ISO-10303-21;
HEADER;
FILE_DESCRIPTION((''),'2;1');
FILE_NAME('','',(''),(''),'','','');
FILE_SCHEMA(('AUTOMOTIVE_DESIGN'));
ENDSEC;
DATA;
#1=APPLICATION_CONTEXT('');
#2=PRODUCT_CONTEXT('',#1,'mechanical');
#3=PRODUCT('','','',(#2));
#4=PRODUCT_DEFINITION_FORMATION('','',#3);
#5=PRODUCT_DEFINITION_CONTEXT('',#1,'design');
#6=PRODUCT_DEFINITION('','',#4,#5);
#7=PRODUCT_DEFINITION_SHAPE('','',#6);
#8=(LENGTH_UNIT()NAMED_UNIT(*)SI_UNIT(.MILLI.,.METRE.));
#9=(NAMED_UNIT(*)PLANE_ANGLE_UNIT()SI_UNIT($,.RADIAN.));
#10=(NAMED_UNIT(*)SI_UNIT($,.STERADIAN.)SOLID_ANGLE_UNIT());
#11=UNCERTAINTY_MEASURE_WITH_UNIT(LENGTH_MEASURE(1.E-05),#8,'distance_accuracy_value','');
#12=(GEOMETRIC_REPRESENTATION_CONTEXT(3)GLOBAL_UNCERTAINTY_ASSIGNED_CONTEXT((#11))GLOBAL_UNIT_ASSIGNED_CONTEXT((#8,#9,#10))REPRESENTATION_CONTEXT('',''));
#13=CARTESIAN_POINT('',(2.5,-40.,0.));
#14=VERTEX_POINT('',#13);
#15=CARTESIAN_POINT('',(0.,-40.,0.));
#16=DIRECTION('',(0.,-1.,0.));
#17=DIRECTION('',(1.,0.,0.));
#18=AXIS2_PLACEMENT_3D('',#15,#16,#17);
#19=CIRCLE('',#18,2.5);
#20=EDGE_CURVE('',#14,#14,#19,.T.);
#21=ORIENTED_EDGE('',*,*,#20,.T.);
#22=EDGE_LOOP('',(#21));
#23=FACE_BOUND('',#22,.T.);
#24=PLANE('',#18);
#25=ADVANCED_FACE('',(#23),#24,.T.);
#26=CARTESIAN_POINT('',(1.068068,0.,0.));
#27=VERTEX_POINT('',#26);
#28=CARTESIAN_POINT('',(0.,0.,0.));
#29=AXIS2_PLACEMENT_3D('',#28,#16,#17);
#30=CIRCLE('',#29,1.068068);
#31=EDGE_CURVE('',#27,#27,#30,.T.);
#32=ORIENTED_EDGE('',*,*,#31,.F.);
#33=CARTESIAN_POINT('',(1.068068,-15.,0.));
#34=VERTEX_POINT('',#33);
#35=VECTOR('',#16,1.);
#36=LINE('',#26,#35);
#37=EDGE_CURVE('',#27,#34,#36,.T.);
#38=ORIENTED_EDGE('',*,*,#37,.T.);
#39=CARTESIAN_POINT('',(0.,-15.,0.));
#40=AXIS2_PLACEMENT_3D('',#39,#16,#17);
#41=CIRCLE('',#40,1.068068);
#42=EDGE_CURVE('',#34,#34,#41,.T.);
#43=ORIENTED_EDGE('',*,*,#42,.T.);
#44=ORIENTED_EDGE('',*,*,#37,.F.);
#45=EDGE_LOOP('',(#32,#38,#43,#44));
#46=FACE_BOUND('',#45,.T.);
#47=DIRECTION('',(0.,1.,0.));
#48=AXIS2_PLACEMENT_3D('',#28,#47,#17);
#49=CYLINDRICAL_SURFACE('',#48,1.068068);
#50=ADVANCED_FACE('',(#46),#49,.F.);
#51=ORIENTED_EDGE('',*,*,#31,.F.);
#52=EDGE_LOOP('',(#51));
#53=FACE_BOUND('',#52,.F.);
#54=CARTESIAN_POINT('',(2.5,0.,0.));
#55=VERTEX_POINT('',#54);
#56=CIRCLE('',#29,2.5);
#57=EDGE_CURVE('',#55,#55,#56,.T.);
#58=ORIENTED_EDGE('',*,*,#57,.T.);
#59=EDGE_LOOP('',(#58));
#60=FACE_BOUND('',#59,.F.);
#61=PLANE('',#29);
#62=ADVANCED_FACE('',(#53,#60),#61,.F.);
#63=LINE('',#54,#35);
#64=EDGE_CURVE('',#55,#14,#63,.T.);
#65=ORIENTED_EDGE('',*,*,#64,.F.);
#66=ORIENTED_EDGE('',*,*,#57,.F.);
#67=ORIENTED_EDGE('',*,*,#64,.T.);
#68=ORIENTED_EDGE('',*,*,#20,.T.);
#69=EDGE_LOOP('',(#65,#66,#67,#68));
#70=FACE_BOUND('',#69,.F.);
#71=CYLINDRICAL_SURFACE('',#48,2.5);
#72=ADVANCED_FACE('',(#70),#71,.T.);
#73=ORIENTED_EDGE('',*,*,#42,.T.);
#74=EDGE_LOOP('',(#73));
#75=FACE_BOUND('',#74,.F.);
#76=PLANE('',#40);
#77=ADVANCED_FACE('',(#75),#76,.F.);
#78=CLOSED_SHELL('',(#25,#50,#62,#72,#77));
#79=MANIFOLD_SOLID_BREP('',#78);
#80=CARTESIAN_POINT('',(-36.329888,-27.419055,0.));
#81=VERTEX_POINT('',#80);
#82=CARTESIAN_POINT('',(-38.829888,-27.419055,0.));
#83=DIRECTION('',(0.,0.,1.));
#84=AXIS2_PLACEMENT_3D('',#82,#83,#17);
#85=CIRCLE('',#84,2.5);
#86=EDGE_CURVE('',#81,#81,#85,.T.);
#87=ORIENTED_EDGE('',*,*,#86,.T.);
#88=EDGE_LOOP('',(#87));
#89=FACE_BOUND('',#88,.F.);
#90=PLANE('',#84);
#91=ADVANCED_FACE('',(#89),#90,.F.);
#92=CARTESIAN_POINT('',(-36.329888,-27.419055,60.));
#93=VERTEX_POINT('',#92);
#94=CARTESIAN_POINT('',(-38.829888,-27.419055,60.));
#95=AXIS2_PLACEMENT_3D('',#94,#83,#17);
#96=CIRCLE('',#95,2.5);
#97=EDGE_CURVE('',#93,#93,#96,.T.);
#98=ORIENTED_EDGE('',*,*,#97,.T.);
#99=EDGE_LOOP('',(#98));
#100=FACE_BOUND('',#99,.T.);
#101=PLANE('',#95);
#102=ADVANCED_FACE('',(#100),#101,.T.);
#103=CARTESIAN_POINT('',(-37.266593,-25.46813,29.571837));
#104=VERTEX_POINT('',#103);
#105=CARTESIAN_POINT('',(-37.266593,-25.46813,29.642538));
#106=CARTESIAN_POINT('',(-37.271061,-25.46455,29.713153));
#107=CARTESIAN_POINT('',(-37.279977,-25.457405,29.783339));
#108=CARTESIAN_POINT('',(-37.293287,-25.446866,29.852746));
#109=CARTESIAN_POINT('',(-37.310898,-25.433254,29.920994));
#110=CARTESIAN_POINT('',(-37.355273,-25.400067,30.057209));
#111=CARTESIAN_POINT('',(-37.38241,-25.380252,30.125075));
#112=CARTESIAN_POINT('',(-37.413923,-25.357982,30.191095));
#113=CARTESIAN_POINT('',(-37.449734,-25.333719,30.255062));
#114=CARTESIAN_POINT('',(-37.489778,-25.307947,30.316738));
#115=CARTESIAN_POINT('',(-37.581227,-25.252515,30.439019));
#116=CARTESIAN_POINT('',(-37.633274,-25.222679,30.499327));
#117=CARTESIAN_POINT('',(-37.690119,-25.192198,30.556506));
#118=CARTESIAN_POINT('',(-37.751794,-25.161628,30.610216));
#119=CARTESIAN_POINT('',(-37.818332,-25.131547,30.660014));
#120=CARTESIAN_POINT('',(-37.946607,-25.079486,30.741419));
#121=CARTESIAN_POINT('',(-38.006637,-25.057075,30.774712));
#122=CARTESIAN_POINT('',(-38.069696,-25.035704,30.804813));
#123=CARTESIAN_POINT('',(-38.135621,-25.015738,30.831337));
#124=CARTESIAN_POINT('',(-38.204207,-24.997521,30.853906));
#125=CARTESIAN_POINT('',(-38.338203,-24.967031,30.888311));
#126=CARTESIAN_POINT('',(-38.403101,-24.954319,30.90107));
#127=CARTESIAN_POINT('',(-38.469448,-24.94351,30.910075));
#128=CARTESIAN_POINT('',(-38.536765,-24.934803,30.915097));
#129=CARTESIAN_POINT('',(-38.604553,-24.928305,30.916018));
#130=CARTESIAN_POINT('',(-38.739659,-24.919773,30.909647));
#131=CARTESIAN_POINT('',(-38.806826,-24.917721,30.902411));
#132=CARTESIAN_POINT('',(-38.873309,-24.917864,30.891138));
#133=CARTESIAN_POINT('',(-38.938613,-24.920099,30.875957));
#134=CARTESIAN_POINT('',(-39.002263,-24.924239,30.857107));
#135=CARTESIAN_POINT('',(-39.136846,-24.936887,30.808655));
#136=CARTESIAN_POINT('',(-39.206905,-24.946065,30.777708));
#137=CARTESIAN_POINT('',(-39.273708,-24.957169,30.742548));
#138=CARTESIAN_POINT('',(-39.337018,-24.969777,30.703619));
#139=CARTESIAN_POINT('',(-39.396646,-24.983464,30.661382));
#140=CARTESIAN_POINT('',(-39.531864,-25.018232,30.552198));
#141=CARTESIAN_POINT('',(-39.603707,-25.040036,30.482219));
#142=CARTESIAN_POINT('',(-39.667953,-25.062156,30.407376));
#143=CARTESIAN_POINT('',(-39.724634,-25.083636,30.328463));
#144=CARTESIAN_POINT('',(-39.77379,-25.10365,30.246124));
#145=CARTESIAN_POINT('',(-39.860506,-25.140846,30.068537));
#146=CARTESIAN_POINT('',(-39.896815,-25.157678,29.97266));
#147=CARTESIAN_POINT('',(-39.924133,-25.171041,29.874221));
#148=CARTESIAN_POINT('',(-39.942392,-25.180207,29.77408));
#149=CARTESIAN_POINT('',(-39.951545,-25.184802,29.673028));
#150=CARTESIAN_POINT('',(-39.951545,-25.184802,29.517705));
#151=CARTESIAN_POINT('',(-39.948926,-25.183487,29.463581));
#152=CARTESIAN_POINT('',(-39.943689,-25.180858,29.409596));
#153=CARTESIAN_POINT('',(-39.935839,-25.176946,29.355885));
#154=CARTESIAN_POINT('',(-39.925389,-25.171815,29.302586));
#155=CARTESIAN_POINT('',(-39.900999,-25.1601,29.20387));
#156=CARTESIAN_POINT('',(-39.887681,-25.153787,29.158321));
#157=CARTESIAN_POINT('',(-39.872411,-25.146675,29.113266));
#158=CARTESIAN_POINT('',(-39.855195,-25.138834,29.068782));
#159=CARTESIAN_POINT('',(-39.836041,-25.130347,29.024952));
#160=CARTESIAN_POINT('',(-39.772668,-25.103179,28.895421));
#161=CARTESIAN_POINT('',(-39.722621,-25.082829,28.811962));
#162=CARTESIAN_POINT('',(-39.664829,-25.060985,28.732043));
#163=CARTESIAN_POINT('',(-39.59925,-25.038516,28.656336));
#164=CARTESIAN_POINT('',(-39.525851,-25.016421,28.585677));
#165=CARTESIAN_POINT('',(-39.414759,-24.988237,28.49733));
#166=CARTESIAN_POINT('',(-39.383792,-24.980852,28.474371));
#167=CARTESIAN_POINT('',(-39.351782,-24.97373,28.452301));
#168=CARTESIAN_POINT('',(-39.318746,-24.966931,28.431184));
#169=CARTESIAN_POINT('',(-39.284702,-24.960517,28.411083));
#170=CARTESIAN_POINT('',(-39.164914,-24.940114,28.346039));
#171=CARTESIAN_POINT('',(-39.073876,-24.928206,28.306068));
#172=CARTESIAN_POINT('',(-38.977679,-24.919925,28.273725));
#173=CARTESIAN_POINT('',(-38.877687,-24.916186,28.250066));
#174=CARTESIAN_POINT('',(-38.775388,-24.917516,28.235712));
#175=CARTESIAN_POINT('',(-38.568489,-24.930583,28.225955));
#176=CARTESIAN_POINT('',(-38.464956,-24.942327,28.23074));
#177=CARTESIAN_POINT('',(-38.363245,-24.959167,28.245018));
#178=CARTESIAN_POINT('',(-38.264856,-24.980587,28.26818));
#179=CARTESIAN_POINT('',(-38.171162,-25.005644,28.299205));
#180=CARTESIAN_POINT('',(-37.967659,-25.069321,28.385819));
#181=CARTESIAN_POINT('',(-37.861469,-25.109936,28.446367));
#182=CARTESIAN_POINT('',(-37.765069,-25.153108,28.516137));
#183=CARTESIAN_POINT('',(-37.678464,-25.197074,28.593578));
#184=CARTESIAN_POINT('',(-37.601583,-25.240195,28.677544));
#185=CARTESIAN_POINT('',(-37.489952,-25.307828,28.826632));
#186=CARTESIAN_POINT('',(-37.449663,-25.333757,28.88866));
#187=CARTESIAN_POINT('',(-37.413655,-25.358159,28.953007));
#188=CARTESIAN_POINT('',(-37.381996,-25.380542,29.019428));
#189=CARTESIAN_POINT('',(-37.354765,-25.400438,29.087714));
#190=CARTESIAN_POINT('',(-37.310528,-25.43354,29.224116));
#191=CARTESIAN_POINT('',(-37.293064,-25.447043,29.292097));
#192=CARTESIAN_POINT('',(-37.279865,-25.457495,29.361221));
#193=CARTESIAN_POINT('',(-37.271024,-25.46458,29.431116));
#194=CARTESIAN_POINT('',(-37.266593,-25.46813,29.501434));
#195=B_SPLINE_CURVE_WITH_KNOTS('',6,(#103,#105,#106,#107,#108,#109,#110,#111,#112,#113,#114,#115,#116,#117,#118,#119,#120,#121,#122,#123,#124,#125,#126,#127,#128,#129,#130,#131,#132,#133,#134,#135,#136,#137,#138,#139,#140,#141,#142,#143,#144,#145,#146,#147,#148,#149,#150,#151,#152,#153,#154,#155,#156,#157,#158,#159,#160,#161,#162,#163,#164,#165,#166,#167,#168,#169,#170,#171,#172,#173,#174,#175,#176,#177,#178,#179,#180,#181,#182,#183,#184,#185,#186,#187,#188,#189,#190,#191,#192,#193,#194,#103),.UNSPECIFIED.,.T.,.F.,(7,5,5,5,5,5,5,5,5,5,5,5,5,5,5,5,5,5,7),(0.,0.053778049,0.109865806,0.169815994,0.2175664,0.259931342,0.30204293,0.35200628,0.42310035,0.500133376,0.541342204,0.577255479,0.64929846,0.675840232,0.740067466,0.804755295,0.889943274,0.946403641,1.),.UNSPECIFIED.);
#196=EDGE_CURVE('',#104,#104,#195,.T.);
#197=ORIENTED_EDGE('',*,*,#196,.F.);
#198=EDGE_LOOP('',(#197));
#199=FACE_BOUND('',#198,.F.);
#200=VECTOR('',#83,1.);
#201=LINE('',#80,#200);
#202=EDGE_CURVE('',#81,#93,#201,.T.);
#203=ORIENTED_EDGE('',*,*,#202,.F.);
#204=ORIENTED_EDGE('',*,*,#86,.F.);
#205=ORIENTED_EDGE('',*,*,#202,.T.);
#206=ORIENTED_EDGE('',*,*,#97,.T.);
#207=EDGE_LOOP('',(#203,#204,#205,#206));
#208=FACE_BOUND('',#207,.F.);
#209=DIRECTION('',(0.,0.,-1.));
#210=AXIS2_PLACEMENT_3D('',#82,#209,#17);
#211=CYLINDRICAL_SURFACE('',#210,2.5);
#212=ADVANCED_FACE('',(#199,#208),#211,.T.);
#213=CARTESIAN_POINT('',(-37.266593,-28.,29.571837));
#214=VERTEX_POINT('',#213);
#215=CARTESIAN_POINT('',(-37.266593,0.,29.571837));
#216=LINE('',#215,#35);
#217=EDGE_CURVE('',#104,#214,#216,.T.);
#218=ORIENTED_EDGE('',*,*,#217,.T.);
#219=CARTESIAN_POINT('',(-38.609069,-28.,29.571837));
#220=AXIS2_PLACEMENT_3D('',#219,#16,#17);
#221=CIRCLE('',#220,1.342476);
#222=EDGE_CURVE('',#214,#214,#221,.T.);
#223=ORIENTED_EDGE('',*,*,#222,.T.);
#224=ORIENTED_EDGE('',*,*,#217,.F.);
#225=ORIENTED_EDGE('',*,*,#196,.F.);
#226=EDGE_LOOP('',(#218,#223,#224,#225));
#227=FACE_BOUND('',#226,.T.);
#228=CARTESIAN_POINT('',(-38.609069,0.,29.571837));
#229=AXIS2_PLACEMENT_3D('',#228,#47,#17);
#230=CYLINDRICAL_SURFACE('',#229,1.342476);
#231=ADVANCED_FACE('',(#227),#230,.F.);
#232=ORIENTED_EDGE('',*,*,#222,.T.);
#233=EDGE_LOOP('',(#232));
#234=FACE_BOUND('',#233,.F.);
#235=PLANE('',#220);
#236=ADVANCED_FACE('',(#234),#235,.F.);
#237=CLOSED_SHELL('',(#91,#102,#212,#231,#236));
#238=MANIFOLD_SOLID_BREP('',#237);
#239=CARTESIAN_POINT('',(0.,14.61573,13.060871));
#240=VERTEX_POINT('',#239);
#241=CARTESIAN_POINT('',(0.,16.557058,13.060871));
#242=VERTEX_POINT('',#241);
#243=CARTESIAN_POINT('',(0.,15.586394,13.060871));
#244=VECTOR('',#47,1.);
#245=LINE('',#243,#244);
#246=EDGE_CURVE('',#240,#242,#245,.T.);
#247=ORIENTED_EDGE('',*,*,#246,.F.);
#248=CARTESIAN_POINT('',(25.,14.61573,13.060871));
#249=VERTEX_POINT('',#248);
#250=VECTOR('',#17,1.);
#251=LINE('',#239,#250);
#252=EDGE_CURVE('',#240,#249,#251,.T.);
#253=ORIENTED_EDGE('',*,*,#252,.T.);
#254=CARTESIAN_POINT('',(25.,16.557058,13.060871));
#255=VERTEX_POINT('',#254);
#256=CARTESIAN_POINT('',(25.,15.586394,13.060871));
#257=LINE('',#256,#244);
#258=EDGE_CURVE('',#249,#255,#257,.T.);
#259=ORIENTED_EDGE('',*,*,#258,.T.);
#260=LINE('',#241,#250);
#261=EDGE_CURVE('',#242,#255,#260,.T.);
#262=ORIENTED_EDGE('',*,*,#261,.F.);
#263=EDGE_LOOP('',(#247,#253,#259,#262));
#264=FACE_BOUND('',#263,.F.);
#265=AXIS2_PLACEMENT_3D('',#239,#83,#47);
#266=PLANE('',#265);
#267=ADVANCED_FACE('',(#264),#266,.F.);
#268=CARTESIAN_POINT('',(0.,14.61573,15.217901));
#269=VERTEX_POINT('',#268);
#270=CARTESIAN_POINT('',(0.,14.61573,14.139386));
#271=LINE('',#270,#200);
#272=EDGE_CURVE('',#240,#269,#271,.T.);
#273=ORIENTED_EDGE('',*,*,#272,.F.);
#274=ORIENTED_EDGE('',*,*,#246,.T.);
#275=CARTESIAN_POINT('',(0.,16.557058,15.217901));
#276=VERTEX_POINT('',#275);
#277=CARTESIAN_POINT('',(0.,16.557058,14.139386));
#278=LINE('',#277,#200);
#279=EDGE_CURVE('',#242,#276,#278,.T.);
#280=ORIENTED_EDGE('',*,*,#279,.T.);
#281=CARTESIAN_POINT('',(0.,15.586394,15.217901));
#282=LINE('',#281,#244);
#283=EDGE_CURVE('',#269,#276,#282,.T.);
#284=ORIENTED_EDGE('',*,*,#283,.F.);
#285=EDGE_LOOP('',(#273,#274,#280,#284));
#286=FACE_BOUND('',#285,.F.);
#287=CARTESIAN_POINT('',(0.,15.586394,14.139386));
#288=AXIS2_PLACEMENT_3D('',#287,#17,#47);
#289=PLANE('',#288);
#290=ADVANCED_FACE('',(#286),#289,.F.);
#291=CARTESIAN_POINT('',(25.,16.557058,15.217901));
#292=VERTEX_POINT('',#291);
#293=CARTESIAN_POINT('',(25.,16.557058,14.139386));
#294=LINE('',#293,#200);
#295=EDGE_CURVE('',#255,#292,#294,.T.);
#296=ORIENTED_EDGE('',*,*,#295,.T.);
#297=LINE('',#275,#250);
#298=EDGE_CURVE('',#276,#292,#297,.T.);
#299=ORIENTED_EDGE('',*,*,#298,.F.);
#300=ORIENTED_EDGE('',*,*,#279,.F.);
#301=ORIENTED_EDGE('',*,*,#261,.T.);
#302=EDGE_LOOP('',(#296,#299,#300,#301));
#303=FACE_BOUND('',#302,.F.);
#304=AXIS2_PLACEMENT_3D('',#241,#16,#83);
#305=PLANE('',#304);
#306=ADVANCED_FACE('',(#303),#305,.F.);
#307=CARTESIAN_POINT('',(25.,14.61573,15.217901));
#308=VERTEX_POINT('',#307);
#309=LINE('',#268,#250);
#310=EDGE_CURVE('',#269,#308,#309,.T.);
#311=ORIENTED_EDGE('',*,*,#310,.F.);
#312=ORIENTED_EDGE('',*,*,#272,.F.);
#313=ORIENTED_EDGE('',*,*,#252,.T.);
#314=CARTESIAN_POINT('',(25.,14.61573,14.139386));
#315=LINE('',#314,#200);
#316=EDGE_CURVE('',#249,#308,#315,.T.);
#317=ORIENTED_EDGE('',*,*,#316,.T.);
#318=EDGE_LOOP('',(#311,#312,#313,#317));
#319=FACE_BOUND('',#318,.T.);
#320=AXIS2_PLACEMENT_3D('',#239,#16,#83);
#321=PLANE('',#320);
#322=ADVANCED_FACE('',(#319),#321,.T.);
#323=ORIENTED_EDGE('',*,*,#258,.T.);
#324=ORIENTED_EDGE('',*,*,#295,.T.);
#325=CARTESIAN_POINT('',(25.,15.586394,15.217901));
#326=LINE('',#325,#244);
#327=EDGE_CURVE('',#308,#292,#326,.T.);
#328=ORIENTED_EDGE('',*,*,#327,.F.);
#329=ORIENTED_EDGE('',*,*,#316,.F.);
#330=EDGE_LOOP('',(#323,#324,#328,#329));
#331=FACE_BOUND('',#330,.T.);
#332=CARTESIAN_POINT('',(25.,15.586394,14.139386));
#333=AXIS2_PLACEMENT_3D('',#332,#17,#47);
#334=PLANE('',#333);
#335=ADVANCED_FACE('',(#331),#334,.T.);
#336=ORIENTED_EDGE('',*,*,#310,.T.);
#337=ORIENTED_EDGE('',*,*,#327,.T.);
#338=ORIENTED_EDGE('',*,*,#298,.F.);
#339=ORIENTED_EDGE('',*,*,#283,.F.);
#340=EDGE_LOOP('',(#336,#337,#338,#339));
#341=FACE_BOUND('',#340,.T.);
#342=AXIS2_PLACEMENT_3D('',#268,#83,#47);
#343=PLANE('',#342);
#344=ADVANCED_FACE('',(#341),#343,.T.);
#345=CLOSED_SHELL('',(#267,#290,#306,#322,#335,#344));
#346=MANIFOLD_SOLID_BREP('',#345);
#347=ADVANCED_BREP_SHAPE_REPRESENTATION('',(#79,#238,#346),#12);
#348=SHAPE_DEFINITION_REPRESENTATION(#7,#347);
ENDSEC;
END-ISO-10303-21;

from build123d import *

# Parameters (mm, degrees)
F0_R     = 2.5
F1_DEPTH = 40
F2_R     = 2.5
F3_DEPTH = 60
F4_R     = 1.068068
F5_DEPTH = 15
F6_R     = 1.342476
F7_DEPTH = 28
F8_W     = 1.941328
F8_H     = 2.15703
F9_DEPTH = 25


with BuildPart() as f1:
    # F0 (on Front) → F1 (new body)
    with BuildSketch(Plane.XZ):
        Circle(F0_R)
    extrude(amount=F1_DEPTH)

    # F4 (on Front) → F5 (cut)
    with BuildSketch(Plane.XZ):
        Circle(F4_R)
    extrude(amount=F5_DEPTH, mode=Mode.SUBTRACT)


with BuildPart() as f3:
    # F2 (on Top) → F3 (new body)
    with BuildSketch(Plane.XY):
        with Locations((-38.829888, -27.419055)):
            Circle(F2_R)
    extrude(amount=F3_DEPTH)

    # F6 (on Front) → F7 (cut)
    with BuildSketch(Plane.XZ):
        with Locations((-38.609069, 29.571837)):
            Circle(F6_R)
    extrude(amount=F7_DEPTH, mode=Mode.SUBTRACT)


with BuildPart() as f9:
    # F8 (on Right) → F9 (new body)
    with BuildSketch(Plane.YZ):
        with Locations((15.586394, 14.139386)):
            Rectangle(F8_W, F8_H)
    extrude(amount=F9_DEPTH)


solid = Compound([f1.part, f3.part, f9.part])
